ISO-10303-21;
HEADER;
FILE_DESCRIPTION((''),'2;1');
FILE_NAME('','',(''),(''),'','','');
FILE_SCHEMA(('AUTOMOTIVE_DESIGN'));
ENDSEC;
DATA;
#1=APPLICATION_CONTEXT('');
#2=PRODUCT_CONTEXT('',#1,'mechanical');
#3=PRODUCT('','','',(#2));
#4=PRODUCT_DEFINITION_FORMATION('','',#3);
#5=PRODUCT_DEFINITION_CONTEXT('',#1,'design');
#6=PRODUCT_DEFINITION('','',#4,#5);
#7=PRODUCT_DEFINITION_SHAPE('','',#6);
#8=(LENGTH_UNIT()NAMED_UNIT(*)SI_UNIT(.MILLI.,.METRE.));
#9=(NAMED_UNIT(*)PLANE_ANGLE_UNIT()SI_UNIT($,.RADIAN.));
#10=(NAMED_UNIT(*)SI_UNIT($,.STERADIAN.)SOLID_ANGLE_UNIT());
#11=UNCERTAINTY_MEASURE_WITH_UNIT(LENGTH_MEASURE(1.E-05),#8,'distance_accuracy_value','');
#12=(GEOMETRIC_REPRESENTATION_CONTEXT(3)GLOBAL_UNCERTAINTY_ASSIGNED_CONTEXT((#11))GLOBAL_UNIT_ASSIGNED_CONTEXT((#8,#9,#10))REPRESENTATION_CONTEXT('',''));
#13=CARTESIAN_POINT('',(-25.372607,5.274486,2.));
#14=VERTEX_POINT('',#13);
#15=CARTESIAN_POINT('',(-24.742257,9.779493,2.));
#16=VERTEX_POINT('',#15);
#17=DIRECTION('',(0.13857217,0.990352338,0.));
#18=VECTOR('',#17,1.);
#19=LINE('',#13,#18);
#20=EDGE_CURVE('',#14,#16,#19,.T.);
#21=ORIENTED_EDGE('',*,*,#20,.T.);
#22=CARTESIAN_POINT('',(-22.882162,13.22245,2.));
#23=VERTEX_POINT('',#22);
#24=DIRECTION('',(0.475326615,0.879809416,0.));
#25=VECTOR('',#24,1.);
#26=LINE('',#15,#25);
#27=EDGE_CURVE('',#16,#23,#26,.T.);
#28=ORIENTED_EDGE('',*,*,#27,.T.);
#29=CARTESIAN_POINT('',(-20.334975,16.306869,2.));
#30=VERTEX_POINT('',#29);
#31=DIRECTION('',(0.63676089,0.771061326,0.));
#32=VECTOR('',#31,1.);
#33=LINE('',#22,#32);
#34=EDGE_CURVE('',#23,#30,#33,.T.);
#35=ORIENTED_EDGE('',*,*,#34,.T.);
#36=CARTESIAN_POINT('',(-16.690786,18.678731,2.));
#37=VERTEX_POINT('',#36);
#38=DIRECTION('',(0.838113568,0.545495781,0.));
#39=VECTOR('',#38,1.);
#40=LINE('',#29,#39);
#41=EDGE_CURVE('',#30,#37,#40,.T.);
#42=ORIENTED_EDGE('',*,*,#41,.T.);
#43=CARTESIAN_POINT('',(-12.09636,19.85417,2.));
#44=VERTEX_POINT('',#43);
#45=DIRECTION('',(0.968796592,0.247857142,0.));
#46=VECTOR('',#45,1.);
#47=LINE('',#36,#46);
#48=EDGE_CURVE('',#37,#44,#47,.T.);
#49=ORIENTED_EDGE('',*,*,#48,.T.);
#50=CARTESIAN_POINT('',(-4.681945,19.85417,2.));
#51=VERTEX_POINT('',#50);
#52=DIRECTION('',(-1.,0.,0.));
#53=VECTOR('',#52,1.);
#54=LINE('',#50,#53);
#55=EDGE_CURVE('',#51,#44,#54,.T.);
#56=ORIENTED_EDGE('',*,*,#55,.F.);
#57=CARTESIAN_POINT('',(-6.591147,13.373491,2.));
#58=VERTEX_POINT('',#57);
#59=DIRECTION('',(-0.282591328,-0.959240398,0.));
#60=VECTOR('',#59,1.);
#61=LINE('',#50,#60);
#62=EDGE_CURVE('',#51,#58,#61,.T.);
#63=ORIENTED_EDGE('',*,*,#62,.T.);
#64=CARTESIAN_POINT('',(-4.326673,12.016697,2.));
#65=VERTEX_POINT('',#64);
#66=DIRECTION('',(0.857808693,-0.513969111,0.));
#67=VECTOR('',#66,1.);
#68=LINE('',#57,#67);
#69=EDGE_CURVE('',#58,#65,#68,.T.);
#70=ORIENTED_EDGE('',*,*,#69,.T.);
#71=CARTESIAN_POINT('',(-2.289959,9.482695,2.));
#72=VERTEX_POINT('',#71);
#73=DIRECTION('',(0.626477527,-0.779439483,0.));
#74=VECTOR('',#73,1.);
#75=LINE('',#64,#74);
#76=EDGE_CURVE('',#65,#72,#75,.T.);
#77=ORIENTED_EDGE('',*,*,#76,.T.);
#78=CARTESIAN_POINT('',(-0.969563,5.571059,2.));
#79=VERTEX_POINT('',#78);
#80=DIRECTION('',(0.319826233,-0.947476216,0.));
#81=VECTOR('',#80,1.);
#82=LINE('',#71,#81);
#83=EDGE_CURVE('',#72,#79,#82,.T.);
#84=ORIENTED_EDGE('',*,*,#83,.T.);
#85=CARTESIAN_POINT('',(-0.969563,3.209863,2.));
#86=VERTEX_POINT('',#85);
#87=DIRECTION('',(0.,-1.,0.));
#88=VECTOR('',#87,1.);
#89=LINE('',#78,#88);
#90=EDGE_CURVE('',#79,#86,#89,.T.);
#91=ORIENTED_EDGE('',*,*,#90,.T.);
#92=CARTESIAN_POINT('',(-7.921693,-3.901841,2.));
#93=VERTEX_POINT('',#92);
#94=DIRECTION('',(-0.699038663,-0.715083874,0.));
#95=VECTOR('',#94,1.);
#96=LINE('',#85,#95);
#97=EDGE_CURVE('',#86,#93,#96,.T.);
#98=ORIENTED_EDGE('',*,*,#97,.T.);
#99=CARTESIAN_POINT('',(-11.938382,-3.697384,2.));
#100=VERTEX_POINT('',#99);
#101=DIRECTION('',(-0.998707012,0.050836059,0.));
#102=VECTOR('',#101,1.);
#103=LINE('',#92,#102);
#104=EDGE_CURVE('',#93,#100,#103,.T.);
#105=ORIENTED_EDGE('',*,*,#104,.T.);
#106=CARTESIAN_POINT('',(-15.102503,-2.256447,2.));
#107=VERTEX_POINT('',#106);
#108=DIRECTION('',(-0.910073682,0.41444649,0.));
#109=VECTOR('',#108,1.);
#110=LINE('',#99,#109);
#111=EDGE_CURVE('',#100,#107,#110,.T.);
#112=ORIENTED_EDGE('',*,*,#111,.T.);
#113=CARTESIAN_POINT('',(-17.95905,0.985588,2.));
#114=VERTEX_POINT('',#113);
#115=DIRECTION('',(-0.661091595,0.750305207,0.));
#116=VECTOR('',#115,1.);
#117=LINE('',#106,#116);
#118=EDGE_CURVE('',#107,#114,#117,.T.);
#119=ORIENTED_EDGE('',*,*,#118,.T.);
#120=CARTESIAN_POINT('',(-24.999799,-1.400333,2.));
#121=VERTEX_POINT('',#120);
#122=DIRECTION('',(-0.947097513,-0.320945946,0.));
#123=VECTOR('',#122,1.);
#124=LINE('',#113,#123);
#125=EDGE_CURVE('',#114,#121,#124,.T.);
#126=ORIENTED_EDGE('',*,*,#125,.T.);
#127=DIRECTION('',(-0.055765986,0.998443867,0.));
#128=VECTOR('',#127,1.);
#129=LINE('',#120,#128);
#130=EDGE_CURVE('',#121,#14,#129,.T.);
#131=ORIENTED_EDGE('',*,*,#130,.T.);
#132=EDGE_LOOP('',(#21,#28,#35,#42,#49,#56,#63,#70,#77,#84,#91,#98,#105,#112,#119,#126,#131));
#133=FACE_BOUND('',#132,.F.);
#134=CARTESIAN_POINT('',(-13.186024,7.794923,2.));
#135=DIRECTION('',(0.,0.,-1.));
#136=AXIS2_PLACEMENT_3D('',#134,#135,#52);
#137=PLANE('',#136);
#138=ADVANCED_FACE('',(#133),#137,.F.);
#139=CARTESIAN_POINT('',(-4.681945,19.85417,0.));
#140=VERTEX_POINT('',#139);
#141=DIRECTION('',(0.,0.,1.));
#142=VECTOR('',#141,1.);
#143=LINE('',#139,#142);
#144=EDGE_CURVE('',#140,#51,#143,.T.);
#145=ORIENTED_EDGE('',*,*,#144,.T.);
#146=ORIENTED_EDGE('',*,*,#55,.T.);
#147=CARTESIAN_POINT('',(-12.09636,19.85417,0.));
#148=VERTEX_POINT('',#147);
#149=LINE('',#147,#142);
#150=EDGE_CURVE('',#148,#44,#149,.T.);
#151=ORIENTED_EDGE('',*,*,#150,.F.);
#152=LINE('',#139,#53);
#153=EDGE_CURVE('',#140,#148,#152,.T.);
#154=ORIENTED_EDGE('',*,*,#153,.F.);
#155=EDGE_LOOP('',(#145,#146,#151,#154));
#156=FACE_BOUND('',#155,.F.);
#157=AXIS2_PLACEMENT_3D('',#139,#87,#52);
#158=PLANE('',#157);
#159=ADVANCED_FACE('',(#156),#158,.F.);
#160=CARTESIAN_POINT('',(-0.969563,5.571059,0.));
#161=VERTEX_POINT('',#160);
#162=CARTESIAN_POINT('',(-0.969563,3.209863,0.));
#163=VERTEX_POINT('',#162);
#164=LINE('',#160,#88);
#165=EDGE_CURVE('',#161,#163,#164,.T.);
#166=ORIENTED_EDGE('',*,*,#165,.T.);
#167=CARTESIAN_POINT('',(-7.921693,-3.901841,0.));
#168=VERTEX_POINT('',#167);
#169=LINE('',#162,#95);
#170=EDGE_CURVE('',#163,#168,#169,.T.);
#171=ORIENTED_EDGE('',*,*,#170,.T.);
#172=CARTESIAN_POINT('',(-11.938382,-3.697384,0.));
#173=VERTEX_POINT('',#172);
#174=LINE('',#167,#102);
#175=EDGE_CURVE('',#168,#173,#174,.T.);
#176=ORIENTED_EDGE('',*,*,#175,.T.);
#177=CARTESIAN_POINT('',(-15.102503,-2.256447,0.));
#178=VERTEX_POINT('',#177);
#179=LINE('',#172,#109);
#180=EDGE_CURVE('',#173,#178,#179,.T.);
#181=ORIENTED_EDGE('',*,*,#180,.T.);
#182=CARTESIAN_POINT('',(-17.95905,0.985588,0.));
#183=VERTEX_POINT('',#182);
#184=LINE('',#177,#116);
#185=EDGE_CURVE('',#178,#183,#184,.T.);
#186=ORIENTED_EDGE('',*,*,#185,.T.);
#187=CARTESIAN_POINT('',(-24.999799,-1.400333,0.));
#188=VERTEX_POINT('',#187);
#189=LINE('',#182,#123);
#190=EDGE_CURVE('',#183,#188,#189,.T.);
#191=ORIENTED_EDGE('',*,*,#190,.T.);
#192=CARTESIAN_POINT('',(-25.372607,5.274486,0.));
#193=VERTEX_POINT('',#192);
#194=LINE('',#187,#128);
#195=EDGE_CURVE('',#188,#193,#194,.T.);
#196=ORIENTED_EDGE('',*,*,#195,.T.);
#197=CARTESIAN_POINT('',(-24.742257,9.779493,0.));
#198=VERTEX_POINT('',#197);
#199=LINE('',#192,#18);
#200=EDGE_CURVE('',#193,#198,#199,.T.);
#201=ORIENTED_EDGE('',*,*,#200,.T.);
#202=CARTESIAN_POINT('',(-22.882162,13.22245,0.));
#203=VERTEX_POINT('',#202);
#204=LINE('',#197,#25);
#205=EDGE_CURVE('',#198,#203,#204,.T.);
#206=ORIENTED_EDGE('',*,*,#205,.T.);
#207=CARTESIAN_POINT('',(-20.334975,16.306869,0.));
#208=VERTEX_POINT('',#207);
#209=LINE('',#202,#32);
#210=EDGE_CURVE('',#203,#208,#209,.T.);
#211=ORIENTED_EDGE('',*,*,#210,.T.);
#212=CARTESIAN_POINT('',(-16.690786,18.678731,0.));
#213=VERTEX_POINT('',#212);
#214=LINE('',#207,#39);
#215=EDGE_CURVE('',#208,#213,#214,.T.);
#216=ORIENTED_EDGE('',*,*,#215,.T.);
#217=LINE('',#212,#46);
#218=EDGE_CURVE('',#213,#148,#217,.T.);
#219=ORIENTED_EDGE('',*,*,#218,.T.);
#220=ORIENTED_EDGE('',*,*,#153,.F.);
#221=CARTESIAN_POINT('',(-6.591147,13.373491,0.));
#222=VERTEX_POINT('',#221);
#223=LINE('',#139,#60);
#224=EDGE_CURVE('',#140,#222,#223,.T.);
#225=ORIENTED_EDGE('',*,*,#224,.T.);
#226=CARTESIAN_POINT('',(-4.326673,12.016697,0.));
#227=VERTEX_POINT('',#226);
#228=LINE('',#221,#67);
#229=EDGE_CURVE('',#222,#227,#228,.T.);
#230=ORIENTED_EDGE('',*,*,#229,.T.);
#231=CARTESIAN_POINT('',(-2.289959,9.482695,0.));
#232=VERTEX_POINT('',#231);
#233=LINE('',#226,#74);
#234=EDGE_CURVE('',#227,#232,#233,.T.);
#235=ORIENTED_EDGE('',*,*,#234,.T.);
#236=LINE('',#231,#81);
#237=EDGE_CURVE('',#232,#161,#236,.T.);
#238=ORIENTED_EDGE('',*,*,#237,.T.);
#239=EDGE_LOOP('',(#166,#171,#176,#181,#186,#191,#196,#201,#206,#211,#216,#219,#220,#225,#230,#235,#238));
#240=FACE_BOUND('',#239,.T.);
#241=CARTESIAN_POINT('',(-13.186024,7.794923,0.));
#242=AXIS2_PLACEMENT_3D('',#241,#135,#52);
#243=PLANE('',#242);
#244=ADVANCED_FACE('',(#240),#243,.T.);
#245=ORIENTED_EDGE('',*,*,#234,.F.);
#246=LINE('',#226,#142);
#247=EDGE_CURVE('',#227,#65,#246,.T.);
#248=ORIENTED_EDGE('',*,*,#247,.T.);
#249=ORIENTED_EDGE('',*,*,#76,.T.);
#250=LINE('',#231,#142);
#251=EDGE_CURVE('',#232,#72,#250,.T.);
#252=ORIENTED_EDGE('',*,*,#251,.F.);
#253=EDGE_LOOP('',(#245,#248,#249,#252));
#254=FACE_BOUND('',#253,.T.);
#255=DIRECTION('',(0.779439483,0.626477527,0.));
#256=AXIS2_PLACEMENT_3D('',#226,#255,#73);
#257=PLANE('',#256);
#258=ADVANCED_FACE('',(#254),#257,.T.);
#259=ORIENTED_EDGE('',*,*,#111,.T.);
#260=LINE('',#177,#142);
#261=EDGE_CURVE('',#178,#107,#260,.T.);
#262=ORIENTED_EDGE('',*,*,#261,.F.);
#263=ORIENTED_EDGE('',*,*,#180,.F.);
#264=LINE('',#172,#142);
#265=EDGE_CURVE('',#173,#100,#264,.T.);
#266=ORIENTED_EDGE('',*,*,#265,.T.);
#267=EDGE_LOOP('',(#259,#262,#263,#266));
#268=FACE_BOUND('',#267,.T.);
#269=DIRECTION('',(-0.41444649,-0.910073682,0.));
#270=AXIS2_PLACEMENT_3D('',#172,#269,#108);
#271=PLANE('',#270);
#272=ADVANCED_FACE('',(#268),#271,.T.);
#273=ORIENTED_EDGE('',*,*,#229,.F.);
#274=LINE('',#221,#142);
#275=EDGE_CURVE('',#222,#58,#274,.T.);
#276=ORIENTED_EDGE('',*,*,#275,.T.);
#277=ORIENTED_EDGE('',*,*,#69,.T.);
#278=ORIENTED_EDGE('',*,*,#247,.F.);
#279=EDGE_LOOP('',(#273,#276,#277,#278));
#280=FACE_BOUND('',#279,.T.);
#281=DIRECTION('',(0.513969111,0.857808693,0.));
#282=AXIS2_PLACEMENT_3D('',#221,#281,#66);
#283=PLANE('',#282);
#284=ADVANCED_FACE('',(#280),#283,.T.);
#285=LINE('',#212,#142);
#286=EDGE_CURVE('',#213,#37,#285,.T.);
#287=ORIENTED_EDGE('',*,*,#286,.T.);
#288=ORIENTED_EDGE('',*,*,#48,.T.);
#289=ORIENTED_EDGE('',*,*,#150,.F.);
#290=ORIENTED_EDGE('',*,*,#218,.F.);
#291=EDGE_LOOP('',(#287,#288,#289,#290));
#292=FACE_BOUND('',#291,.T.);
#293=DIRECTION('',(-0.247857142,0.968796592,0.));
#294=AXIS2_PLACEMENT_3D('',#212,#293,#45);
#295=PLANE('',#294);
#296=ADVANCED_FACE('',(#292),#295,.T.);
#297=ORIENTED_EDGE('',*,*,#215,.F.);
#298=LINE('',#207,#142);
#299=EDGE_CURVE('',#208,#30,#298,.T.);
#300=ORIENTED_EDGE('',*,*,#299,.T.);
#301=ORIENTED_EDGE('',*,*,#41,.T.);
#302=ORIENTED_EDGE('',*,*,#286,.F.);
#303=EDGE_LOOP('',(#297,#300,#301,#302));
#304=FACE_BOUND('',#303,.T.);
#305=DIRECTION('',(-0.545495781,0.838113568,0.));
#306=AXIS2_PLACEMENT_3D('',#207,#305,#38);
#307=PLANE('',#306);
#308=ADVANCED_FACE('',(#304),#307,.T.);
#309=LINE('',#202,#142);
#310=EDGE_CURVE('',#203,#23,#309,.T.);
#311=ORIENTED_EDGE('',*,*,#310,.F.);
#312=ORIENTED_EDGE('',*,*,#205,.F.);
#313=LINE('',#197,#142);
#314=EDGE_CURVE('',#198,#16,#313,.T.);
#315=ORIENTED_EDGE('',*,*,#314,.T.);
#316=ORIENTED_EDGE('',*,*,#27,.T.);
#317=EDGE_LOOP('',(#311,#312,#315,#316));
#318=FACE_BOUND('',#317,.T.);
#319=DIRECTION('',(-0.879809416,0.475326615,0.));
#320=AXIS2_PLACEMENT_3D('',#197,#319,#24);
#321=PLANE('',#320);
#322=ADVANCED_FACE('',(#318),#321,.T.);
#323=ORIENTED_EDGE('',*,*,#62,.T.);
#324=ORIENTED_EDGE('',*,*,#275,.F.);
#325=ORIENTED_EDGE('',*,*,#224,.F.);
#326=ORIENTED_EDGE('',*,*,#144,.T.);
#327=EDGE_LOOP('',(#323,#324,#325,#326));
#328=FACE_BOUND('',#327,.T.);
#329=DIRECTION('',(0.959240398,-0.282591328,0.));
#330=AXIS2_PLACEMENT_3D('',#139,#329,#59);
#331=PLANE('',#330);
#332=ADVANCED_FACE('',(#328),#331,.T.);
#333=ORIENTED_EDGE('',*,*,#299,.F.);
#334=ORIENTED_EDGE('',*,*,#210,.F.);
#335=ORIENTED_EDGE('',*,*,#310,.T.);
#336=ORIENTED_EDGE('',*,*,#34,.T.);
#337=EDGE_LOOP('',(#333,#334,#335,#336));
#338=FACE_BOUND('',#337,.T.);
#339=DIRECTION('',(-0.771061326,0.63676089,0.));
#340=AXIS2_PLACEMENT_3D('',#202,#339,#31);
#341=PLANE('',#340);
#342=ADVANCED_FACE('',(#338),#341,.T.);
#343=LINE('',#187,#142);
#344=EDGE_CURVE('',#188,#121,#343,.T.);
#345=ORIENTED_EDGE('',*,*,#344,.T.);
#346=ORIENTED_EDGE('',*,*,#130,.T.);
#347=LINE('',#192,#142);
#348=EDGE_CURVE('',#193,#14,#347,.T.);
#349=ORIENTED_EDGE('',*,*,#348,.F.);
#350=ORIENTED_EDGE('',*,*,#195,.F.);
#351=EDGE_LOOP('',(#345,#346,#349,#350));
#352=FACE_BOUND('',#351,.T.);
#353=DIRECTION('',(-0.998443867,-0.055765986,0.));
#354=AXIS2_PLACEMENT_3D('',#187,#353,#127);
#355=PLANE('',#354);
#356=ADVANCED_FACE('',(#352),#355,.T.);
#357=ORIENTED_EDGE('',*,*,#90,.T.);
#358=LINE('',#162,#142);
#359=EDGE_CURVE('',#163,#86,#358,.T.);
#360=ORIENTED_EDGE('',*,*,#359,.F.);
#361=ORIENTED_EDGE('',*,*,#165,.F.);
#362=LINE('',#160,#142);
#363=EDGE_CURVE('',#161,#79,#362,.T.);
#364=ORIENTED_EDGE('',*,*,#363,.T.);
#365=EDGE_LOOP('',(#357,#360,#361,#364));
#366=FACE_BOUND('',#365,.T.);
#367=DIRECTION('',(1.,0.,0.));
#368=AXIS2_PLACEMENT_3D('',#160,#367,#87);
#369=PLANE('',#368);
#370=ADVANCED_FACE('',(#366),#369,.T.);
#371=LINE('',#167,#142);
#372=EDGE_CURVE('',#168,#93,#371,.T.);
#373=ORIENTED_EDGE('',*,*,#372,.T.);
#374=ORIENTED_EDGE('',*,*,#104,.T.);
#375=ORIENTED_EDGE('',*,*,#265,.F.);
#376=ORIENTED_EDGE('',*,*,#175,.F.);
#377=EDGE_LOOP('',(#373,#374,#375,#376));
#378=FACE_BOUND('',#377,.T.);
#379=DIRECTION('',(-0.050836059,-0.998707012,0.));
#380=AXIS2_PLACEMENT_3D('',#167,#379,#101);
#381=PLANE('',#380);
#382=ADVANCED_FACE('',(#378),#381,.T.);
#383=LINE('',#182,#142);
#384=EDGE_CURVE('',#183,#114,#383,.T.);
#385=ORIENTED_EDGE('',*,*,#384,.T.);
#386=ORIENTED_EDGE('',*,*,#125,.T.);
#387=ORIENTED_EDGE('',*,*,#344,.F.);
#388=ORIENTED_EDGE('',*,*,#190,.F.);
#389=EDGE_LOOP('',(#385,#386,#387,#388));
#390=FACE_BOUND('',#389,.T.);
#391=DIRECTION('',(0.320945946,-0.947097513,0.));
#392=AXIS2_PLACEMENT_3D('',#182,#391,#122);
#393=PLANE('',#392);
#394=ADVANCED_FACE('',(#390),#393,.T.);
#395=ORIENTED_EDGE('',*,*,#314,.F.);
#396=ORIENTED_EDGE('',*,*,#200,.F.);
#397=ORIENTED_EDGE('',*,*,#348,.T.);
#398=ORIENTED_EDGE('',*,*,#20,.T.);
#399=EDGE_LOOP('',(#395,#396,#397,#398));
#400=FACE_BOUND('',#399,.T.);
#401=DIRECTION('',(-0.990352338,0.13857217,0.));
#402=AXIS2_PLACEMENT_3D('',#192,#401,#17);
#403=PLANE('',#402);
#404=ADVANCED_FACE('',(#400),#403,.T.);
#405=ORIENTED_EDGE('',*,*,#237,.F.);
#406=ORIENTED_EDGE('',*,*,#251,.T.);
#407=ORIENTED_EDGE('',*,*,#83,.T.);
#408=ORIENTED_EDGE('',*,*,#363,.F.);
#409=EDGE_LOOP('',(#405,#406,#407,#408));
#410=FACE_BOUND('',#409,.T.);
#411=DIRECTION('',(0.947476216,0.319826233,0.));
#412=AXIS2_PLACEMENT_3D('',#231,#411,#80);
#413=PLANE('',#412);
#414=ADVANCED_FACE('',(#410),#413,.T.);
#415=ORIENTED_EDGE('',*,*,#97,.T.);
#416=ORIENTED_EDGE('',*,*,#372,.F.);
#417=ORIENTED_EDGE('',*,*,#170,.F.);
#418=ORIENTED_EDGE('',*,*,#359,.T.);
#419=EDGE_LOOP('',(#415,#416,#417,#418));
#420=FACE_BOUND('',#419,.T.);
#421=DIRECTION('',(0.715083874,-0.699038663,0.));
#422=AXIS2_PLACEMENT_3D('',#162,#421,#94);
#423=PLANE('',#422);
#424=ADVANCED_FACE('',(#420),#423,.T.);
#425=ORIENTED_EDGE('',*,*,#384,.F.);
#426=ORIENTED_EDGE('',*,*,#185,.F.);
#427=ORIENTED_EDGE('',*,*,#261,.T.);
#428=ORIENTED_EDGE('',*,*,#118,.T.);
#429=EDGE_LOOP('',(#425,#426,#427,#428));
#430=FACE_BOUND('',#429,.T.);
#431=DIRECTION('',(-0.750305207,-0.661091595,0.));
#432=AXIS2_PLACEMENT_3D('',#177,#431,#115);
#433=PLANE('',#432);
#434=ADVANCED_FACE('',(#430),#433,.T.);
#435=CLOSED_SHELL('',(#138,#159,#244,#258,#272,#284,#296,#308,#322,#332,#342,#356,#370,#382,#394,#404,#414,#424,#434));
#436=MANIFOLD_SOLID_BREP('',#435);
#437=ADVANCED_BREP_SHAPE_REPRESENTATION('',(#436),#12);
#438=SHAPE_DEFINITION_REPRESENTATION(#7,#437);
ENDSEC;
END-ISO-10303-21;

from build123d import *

# Parameters (mm, degrees)
PAD_DEPTH = 2


with BuildPart() as part:
    # Sketch → Pad (new body)
    with BuildSketch(Plane.XY):
        Polygon((-24.999799, -1.400333), (-25.372607, 5.274486), (-24.742257, 9.779493), (-22.882162, 13.22245), (-20.334975, 16.306869), (-16.690786, 18.678731), (-12.09636, 19.85417), (-8.700973, 19.85417), (-4.681945, 19.85417), (-6.591147, 13.373491), (-4.326673, 12.016697), (-2.289959, 9.482695), (-0.969563, 5.571059), (-0.969563, 3.209863), (-7.921693, -3.901841), (-11.938382, -3.697384), (-15.102503, -2.256447), (-17.95905, 0.985588), align=None)
    extrude(amount=PAD_DEPTH)


solid = part.part
